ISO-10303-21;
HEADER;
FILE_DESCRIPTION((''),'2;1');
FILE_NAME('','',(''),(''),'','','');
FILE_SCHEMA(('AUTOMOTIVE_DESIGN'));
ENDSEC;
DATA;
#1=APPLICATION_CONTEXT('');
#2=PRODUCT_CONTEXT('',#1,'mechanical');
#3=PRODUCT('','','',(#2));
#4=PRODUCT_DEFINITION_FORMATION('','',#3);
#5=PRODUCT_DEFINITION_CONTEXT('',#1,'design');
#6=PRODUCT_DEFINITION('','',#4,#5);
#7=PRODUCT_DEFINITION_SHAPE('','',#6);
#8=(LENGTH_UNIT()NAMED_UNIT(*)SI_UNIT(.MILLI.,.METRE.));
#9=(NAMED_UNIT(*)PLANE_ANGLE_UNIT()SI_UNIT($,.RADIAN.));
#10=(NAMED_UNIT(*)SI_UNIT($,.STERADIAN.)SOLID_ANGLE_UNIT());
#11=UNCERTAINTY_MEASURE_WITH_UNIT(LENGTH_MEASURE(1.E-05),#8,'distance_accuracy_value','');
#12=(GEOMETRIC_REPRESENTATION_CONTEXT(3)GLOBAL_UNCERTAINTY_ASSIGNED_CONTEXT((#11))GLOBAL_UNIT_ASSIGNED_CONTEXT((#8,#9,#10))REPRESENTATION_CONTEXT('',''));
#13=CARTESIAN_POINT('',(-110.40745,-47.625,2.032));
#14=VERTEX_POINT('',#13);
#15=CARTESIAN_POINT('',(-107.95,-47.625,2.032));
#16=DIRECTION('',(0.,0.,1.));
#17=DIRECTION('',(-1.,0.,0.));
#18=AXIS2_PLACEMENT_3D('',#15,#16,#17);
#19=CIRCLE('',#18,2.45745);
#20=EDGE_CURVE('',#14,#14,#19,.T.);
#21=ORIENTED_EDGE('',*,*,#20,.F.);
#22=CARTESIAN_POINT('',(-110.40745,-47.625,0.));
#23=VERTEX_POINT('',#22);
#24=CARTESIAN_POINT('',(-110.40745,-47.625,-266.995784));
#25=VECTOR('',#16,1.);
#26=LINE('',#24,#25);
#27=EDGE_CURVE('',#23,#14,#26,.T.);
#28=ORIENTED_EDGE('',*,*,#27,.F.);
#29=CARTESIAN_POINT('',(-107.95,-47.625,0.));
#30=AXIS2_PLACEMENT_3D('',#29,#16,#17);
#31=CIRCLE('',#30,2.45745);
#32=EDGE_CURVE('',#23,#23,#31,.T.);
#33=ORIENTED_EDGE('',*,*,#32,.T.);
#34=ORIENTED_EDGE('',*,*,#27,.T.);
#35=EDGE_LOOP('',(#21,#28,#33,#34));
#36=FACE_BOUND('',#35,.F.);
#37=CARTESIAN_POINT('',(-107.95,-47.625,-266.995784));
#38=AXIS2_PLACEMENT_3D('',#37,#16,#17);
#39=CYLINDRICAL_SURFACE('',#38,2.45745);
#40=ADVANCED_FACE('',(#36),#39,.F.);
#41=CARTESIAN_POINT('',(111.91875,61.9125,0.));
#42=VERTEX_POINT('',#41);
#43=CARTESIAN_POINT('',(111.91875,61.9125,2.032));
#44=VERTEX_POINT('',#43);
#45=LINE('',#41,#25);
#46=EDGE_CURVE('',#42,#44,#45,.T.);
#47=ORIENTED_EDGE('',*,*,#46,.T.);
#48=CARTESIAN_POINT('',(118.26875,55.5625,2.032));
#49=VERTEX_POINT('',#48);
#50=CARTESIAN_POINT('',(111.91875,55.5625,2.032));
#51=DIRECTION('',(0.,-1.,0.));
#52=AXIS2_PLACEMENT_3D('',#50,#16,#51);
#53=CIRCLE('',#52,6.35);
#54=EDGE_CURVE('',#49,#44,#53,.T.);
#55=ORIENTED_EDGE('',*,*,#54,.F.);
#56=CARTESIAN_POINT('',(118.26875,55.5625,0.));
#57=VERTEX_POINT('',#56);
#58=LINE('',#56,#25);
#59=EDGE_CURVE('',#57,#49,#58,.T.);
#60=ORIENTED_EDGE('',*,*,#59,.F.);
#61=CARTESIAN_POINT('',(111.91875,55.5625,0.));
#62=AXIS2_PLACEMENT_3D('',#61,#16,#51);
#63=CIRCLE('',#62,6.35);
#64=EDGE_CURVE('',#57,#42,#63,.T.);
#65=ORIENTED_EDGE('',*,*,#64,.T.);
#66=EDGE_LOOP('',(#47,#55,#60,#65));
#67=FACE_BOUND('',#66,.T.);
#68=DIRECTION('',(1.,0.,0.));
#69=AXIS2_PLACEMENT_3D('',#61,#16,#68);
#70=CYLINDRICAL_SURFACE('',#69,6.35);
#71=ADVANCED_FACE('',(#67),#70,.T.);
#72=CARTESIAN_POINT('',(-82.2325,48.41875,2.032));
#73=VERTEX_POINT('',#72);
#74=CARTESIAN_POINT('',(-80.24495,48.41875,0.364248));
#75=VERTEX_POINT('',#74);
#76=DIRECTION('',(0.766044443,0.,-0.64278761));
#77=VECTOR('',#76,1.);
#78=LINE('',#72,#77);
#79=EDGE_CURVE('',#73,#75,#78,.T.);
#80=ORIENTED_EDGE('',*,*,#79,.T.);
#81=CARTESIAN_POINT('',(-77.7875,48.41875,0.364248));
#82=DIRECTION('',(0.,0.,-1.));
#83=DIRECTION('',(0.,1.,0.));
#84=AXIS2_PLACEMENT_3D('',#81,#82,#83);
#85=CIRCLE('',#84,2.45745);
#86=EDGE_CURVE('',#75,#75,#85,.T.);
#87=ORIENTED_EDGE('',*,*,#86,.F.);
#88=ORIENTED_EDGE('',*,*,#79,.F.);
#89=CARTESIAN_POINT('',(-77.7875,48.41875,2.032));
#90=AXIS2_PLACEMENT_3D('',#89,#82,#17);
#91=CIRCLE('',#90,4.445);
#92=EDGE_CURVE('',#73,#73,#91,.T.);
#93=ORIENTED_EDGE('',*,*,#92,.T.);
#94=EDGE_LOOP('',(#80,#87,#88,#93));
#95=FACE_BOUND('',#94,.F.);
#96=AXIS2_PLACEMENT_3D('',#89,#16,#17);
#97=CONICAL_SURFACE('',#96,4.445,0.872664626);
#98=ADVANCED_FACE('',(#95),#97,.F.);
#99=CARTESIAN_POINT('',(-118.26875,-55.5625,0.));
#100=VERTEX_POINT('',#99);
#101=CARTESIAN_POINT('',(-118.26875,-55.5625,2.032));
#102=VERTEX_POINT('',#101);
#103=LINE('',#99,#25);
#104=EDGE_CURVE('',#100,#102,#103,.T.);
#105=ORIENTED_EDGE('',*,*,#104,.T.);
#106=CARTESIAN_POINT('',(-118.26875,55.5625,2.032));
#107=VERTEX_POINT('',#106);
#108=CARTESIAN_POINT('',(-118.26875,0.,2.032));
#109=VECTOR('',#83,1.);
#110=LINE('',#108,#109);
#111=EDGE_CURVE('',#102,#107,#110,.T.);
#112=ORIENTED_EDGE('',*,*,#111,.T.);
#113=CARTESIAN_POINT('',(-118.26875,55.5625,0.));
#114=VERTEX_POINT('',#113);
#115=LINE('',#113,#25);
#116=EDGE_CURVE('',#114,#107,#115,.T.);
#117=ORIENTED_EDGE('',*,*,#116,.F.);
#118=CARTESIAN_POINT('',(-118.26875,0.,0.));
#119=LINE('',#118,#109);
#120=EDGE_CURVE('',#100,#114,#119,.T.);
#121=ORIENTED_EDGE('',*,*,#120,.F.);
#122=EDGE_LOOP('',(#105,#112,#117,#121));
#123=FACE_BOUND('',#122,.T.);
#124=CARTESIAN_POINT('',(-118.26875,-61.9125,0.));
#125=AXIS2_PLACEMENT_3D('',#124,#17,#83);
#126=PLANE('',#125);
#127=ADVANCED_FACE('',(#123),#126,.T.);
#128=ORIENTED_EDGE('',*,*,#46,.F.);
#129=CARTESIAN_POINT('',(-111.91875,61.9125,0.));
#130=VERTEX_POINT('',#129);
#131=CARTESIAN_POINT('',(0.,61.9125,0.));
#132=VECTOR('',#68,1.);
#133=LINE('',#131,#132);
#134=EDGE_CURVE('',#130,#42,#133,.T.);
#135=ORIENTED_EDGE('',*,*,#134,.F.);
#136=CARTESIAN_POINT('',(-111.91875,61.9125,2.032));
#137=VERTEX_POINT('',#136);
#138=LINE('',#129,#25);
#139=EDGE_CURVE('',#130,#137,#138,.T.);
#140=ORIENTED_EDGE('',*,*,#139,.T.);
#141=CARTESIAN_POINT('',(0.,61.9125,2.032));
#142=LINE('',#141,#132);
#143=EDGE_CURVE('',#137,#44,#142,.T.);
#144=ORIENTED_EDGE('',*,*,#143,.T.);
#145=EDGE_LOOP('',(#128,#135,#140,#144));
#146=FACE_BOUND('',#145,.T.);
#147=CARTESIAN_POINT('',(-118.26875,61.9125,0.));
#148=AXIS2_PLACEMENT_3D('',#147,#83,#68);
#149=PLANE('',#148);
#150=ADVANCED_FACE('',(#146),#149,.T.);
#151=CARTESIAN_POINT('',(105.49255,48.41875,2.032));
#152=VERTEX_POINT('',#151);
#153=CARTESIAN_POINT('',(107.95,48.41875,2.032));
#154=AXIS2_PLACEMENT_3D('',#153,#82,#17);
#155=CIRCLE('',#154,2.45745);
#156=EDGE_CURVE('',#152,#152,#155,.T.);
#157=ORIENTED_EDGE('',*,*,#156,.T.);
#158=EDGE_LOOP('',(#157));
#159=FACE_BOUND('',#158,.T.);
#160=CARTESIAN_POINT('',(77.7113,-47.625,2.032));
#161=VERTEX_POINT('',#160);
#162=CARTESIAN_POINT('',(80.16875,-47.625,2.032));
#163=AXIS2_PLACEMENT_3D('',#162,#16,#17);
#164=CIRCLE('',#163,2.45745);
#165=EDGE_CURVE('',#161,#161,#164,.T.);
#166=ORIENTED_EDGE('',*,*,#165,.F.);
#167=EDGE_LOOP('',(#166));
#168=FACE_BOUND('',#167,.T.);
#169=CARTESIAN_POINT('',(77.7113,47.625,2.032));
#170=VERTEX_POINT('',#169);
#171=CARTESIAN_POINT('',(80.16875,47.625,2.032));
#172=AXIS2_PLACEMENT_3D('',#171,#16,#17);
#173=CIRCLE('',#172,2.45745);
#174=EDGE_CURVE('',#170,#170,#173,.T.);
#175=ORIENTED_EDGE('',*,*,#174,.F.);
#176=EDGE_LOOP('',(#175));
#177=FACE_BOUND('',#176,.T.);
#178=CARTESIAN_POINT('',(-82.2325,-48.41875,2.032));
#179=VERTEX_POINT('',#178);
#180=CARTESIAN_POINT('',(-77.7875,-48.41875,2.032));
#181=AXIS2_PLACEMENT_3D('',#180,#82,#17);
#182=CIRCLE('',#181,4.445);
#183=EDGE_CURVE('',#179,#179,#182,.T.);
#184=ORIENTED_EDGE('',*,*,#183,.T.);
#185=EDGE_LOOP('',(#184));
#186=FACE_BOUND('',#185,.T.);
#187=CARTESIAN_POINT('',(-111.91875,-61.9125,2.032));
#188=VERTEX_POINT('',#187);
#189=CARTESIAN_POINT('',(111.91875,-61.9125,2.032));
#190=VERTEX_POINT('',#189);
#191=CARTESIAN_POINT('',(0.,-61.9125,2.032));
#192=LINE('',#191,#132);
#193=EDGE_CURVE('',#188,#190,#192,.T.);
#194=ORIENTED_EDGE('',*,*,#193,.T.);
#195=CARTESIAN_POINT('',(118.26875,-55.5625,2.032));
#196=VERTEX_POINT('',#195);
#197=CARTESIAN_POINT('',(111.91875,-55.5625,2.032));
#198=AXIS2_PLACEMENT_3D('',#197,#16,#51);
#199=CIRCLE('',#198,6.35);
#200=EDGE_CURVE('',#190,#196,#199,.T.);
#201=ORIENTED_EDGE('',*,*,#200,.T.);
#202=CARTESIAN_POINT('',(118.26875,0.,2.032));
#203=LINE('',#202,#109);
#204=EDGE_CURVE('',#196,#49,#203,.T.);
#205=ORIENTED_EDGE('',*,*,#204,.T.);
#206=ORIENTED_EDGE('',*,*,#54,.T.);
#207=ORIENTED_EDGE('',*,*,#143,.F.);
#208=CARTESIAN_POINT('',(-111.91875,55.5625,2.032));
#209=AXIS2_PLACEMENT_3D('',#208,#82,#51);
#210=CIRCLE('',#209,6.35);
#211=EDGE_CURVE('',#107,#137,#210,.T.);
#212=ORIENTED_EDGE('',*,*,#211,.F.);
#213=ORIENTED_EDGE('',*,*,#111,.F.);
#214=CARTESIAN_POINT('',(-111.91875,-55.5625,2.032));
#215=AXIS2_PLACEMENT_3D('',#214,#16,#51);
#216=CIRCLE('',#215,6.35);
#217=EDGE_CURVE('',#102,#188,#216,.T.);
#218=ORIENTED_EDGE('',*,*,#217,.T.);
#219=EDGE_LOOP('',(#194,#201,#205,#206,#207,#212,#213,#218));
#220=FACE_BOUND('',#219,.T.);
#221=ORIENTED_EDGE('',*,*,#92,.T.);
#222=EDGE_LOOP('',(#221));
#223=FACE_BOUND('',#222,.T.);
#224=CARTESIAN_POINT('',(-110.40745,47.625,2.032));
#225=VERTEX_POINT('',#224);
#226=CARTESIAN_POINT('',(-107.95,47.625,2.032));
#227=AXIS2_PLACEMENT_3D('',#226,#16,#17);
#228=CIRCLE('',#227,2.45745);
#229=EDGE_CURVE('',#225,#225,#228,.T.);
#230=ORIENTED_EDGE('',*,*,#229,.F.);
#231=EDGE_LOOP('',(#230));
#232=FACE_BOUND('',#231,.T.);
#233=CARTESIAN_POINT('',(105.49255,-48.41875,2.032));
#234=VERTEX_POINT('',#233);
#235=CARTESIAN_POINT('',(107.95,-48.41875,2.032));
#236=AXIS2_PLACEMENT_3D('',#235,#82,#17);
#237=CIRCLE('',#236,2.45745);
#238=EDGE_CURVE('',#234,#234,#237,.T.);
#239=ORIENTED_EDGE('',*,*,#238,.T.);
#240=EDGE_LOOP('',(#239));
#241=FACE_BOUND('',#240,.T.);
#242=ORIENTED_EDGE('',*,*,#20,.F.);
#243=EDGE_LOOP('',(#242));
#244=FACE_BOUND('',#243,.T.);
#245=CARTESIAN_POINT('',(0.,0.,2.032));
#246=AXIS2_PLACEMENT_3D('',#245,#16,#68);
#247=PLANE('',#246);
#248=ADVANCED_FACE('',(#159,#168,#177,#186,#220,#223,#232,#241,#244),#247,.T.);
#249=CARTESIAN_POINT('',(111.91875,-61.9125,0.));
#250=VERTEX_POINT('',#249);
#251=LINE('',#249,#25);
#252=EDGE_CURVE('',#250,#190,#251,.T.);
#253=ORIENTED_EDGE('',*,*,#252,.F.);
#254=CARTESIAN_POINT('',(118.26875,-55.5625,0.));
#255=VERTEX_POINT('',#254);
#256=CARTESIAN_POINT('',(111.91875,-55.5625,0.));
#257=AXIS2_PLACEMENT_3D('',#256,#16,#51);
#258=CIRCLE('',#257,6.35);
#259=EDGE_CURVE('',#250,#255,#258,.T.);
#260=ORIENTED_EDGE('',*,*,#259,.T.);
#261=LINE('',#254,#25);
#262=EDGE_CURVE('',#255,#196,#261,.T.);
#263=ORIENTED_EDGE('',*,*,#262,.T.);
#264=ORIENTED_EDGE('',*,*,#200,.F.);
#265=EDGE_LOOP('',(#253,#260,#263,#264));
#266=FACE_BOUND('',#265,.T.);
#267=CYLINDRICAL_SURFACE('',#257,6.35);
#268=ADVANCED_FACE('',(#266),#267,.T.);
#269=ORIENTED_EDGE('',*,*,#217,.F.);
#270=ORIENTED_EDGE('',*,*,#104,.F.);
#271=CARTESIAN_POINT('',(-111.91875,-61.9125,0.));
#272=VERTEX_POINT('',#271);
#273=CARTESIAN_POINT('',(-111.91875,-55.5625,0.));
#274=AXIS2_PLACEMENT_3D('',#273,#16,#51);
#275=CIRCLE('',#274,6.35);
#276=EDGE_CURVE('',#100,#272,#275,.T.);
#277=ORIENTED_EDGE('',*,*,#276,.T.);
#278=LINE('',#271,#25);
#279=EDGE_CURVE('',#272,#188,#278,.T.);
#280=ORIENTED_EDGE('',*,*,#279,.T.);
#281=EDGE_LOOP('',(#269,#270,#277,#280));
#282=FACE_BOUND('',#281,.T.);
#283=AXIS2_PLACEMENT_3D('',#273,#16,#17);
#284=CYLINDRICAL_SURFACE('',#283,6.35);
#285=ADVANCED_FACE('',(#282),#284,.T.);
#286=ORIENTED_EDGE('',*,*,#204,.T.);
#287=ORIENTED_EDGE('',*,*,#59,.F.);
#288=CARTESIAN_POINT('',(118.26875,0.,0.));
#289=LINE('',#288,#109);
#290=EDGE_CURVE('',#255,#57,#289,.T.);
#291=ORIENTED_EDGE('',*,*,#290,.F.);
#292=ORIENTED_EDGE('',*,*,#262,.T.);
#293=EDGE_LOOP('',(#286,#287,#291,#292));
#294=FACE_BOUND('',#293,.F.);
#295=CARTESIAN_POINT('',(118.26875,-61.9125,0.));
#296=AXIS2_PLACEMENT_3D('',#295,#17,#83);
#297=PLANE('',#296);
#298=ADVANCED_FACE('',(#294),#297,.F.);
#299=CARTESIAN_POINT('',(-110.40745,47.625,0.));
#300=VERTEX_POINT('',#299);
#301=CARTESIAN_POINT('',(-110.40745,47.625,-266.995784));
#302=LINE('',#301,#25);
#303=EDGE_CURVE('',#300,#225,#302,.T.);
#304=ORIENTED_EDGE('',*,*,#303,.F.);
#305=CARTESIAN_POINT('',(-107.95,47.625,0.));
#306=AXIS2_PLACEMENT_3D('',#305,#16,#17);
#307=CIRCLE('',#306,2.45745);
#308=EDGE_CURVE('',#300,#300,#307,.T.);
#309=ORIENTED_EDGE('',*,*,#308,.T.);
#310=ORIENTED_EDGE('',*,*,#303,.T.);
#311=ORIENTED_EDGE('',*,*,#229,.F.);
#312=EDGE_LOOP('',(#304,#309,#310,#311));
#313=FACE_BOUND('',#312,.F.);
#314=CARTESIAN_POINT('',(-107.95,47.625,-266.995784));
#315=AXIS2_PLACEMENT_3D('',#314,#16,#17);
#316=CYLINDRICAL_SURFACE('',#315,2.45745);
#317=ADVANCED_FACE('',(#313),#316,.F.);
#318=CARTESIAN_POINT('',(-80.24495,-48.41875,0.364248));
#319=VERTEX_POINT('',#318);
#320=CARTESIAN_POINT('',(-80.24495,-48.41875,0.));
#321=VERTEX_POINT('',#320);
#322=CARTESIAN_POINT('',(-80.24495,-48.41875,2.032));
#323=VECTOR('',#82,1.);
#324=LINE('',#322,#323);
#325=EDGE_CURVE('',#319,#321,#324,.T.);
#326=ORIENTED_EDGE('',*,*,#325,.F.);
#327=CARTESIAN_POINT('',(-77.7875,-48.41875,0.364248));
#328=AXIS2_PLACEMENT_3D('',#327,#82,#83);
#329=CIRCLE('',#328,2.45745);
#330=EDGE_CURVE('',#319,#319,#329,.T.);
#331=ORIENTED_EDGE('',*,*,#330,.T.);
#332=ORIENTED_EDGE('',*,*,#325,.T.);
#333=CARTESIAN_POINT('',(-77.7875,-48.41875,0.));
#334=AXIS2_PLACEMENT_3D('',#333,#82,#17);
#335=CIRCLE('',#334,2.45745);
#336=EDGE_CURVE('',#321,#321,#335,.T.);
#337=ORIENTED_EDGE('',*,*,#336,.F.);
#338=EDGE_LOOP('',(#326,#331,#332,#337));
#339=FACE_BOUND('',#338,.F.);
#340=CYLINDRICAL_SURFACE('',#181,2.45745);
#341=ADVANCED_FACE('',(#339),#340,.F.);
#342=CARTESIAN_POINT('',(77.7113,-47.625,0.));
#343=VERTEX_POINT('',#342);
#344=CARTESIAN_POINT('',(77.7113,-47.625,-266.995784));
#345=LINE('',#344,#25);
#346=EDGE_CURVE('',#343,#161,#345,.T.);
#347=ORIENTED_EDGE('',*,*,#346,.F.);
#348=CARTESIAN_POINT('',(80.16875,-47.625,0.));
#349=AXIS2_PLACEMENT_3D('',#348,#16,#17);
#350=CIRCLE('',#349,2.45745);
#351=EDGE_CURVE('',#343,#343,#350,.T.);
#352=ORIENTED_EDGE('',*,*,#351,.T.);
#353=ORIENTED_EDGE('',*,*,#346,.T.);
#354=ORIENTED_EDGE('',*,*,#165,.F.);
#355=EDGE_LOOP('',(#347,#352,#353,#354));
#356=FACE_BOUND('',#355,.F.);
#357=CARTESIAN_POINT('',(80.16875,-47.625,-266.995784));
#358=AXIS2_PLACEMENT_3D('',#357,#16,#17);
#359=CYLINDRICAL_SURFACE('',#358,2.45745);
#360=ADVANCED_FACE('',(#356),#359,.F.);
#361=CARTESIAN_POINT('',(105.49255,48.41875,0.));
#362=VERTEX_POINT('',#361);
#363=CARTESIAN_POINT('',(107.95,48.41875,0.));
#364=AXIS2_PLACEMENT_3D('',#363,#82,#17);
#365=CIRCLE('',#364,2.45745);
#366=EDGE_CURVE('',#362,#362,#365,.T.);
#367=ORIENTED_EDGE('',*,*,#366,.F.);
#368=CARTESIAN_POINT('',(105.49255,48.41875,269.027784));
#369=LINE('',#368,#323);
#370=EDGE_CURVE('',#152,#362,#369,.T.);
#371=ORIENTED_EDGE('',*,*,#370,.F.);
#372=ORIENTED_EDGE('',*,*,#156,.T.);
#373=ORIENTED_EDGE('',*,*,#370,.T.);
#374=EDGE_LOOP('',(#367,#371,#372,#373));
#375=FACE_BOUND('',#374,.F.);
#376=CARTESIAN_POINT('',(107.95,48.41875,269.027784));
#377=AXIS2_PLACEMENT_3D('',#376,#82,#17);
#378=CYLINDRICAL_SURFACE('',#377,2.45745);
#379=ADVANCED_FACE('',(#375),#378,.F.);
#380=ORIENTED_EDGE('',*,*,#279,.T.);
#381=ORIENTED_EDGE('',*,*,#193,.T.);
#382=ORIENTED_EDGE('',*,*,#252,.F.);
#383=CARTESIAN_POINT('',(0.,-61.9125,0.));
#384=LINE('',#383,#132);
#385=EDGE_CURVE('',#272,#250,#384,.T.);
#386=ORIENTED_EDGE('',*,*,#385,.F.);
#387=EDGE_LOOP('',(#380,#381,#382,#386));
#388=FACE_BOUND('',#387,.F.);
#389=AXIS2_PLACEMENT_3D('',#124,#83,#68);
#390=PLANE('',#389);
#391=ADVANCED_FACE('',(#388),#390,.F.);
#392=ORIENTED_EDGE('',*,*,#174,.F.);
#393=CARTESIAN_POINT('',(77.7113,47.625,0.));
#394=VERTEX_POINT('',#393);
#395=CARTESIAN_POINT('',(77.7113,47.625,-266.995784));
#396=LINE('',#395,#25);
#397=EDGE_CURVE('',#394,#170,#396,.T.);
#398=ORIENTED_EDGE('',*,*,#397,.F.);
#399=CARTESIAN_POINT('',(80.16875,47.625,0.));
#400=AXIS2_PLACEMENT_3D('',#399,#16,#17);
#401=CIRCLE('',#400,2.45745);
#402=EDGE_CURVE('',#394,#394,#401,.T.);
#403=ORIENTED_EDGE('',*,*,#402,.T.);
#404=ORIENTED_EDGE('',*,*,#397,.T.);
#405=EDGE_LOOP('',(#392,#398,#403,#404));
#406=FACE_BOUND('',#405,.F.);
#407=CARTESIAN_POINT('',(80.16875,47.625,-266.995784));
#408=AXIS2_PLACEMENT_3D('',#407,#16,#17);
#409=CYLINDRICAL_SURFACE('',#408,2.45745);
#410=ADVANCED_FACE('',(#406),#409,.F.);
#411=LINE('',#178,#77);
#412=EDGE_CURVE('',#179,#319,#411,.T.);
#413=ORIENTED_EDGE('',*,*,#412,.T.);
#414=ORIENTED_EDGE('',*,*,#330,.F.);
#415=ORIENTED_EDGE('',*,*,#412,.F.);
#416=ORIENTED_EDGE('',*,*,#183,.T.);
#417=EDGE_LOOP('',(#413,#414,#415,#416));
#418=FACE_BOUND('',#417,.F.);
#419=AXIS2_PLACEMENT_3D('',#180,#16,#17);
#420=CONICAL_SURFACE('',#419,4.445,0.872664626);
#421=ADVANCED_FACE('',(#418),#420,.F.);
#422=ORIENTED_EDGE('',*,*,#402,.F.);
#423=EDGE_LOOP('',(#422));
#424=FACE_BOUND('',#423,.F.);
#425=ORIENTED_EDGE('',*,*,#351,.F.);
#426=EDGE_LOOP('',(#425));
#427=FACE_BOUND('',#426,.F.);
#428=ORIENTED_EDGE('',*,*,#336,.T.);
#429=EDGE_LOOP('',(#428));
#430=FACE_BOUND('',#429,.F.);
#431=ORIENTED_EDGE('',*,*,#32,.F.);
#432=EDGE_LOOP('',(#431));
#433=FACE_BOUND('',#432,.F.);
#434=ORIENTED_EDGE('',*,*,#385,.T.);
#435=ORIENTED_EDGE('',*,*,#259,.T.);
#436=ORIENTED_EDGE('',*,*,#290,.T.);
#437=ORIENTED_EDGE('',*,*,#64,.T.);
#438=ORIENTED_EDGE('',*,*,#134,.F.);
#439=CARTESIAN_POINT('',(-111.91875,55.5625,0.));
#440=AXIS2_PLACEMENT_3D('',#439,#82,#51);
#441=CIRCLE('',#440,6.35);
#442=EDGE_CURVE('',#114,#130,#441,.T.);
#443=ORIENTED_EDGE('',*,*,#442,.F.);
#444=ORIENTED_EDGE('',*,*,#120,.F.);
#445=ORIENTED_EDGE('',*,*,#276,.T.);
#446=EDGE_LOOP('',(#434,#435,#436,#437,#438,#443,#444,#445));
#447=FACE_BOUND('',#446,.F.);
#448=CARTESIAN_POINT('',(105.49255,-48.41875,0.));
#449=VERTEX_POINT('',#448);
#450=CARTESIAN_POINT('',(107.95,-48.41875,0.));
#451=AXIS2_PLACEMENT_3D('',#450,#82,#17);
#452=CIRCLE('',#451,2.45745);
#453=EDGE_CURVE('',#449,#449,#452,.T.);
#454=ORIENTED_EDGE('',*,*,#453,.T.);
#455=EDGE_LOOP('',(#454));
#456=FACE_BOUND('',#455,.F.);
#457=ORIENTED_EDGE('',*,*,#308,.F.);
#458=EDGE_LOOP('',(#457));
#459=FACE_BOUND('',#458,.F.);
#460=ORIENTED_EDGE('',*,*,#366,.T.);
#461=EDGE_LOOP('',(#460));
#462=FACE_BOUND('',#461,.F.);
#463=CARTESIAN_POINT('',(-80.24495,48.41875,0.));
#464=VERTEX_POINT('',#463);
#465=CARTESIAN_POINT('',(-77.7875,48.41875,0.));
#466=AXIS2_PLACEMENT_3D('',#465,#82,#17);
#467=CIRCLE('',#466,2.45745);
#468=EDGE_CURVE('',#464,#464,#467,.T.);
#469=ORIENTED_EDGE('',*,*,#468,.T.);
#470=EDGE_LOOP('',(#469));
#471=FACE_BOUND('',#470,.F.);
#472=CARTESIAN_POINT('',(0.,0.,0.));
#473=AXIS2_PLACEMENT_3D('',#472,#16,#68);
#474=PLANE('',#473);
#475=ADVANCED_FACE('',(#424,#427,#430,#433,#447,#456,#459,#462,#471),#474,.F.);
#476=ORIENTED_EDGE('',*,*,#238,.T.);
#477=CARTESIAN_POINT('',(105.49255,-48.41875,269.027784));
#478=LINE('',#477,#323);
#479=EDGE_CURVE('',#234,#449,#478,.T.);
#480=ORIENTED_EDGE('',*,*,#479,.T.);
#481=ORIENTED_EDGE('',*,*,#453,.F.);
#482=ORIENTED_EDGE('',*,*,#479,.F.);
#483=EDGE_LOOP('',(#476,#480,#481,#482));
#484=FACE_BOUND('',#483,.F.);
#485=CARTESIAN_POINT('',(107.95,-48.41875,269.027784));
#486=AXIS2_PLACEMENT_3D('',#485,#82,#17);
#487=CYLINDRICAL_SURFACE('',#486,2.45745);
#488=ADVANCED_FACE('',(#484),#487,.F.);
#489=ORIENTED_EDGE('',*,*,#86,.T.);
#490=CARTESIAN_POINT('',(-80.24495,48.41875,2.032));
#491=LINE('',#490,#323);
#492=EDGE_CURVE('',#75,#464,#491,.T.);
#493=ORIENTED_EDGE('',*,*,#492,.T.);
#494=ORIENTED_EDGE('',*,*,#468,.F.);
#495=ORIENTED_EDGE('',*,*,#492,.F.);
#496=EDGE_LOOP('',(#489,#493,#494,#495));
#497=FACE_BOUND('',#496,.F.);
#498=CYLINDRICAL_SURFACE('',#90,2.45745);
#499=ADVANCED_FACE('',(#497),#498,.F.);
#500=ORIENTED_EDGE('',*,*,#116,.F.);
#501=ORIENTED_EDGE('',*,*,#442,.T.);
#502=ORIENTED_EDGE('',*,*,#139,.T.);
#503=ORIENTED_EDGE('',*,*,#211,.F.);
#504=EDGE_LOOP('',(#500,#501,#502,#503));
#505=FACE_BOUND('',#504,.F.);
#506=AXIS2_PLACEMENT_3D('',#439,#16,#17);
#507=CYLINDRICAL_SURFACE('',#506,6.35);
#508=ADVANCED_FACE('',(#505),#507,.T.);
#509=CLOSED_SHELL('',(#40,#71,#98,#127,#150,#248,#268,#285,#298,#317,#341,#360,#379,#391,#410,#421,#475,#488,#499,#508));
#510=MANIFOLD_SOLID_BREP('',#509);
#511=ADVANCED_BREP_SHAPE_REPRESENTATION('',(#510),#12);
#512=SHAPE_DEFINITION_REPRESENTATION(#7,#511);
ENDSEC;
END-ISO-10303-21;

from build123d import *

# Parameters (mm, degrees)
F0_W           = 236.5375
F0_H           = 123.825
F1_DEPTH       = 2.032
F2_R           = 6.35
F3_D           = 4.9149
F5_D           = 4.9149
F5_CSINK_D     = 8.89
F5_CSINK_ANGLE = 100
F6_D           = 4.9149


with BuildPart() as f1:
    # F0 (on Top) → F1 (new body)
    with BuildSketch(Plane.XY):
        Rectangle(F0_W, F0_H)
    extrude(amount=F1_DEPTH)

    # F2
    f2_edges = [f1.edges().sort_by_distance(p)[0] for p in [
        (118.26875, -61.9125, 1.016),
        (118.26875, 61.9125, 1.016),
        (-118.26875, -61.9125, 1.016),
        (-118.26875, 61.9125, 1.016),
    ]]
    fillet(f2_edges, radius=F2_R)

    # F3 (through all)
    with Locations(Plane(origin=(0, 0, 0), x_dir=(1, 0, 0), z_dir=(0, 0, -1))):
        with Locations((-107.95, -47.625), (-107.95, 47.625), (80.16875, 47.625), (80.16875, -47.625)):
            Hole(F3_D / 2)

    # F5 (through all)
    with Locations(Plane.XY.offset(2.032)):
        with Locations((-77.7875, 48.41875), (-77.7875, -48.41875)):
            CounterSinkHole(F5_D / 2, F5_CSINK_D / 2, counter_sink_angle=F5_CSINK_ANGLE)

    # F6 (through all)
    with Locations(Plane.XY.offset(2.032)):
        with Locations((107.95, 48.41875), (107.95, -48.41875)):
            Hole(F6_D / 2)


solid = f1.part
